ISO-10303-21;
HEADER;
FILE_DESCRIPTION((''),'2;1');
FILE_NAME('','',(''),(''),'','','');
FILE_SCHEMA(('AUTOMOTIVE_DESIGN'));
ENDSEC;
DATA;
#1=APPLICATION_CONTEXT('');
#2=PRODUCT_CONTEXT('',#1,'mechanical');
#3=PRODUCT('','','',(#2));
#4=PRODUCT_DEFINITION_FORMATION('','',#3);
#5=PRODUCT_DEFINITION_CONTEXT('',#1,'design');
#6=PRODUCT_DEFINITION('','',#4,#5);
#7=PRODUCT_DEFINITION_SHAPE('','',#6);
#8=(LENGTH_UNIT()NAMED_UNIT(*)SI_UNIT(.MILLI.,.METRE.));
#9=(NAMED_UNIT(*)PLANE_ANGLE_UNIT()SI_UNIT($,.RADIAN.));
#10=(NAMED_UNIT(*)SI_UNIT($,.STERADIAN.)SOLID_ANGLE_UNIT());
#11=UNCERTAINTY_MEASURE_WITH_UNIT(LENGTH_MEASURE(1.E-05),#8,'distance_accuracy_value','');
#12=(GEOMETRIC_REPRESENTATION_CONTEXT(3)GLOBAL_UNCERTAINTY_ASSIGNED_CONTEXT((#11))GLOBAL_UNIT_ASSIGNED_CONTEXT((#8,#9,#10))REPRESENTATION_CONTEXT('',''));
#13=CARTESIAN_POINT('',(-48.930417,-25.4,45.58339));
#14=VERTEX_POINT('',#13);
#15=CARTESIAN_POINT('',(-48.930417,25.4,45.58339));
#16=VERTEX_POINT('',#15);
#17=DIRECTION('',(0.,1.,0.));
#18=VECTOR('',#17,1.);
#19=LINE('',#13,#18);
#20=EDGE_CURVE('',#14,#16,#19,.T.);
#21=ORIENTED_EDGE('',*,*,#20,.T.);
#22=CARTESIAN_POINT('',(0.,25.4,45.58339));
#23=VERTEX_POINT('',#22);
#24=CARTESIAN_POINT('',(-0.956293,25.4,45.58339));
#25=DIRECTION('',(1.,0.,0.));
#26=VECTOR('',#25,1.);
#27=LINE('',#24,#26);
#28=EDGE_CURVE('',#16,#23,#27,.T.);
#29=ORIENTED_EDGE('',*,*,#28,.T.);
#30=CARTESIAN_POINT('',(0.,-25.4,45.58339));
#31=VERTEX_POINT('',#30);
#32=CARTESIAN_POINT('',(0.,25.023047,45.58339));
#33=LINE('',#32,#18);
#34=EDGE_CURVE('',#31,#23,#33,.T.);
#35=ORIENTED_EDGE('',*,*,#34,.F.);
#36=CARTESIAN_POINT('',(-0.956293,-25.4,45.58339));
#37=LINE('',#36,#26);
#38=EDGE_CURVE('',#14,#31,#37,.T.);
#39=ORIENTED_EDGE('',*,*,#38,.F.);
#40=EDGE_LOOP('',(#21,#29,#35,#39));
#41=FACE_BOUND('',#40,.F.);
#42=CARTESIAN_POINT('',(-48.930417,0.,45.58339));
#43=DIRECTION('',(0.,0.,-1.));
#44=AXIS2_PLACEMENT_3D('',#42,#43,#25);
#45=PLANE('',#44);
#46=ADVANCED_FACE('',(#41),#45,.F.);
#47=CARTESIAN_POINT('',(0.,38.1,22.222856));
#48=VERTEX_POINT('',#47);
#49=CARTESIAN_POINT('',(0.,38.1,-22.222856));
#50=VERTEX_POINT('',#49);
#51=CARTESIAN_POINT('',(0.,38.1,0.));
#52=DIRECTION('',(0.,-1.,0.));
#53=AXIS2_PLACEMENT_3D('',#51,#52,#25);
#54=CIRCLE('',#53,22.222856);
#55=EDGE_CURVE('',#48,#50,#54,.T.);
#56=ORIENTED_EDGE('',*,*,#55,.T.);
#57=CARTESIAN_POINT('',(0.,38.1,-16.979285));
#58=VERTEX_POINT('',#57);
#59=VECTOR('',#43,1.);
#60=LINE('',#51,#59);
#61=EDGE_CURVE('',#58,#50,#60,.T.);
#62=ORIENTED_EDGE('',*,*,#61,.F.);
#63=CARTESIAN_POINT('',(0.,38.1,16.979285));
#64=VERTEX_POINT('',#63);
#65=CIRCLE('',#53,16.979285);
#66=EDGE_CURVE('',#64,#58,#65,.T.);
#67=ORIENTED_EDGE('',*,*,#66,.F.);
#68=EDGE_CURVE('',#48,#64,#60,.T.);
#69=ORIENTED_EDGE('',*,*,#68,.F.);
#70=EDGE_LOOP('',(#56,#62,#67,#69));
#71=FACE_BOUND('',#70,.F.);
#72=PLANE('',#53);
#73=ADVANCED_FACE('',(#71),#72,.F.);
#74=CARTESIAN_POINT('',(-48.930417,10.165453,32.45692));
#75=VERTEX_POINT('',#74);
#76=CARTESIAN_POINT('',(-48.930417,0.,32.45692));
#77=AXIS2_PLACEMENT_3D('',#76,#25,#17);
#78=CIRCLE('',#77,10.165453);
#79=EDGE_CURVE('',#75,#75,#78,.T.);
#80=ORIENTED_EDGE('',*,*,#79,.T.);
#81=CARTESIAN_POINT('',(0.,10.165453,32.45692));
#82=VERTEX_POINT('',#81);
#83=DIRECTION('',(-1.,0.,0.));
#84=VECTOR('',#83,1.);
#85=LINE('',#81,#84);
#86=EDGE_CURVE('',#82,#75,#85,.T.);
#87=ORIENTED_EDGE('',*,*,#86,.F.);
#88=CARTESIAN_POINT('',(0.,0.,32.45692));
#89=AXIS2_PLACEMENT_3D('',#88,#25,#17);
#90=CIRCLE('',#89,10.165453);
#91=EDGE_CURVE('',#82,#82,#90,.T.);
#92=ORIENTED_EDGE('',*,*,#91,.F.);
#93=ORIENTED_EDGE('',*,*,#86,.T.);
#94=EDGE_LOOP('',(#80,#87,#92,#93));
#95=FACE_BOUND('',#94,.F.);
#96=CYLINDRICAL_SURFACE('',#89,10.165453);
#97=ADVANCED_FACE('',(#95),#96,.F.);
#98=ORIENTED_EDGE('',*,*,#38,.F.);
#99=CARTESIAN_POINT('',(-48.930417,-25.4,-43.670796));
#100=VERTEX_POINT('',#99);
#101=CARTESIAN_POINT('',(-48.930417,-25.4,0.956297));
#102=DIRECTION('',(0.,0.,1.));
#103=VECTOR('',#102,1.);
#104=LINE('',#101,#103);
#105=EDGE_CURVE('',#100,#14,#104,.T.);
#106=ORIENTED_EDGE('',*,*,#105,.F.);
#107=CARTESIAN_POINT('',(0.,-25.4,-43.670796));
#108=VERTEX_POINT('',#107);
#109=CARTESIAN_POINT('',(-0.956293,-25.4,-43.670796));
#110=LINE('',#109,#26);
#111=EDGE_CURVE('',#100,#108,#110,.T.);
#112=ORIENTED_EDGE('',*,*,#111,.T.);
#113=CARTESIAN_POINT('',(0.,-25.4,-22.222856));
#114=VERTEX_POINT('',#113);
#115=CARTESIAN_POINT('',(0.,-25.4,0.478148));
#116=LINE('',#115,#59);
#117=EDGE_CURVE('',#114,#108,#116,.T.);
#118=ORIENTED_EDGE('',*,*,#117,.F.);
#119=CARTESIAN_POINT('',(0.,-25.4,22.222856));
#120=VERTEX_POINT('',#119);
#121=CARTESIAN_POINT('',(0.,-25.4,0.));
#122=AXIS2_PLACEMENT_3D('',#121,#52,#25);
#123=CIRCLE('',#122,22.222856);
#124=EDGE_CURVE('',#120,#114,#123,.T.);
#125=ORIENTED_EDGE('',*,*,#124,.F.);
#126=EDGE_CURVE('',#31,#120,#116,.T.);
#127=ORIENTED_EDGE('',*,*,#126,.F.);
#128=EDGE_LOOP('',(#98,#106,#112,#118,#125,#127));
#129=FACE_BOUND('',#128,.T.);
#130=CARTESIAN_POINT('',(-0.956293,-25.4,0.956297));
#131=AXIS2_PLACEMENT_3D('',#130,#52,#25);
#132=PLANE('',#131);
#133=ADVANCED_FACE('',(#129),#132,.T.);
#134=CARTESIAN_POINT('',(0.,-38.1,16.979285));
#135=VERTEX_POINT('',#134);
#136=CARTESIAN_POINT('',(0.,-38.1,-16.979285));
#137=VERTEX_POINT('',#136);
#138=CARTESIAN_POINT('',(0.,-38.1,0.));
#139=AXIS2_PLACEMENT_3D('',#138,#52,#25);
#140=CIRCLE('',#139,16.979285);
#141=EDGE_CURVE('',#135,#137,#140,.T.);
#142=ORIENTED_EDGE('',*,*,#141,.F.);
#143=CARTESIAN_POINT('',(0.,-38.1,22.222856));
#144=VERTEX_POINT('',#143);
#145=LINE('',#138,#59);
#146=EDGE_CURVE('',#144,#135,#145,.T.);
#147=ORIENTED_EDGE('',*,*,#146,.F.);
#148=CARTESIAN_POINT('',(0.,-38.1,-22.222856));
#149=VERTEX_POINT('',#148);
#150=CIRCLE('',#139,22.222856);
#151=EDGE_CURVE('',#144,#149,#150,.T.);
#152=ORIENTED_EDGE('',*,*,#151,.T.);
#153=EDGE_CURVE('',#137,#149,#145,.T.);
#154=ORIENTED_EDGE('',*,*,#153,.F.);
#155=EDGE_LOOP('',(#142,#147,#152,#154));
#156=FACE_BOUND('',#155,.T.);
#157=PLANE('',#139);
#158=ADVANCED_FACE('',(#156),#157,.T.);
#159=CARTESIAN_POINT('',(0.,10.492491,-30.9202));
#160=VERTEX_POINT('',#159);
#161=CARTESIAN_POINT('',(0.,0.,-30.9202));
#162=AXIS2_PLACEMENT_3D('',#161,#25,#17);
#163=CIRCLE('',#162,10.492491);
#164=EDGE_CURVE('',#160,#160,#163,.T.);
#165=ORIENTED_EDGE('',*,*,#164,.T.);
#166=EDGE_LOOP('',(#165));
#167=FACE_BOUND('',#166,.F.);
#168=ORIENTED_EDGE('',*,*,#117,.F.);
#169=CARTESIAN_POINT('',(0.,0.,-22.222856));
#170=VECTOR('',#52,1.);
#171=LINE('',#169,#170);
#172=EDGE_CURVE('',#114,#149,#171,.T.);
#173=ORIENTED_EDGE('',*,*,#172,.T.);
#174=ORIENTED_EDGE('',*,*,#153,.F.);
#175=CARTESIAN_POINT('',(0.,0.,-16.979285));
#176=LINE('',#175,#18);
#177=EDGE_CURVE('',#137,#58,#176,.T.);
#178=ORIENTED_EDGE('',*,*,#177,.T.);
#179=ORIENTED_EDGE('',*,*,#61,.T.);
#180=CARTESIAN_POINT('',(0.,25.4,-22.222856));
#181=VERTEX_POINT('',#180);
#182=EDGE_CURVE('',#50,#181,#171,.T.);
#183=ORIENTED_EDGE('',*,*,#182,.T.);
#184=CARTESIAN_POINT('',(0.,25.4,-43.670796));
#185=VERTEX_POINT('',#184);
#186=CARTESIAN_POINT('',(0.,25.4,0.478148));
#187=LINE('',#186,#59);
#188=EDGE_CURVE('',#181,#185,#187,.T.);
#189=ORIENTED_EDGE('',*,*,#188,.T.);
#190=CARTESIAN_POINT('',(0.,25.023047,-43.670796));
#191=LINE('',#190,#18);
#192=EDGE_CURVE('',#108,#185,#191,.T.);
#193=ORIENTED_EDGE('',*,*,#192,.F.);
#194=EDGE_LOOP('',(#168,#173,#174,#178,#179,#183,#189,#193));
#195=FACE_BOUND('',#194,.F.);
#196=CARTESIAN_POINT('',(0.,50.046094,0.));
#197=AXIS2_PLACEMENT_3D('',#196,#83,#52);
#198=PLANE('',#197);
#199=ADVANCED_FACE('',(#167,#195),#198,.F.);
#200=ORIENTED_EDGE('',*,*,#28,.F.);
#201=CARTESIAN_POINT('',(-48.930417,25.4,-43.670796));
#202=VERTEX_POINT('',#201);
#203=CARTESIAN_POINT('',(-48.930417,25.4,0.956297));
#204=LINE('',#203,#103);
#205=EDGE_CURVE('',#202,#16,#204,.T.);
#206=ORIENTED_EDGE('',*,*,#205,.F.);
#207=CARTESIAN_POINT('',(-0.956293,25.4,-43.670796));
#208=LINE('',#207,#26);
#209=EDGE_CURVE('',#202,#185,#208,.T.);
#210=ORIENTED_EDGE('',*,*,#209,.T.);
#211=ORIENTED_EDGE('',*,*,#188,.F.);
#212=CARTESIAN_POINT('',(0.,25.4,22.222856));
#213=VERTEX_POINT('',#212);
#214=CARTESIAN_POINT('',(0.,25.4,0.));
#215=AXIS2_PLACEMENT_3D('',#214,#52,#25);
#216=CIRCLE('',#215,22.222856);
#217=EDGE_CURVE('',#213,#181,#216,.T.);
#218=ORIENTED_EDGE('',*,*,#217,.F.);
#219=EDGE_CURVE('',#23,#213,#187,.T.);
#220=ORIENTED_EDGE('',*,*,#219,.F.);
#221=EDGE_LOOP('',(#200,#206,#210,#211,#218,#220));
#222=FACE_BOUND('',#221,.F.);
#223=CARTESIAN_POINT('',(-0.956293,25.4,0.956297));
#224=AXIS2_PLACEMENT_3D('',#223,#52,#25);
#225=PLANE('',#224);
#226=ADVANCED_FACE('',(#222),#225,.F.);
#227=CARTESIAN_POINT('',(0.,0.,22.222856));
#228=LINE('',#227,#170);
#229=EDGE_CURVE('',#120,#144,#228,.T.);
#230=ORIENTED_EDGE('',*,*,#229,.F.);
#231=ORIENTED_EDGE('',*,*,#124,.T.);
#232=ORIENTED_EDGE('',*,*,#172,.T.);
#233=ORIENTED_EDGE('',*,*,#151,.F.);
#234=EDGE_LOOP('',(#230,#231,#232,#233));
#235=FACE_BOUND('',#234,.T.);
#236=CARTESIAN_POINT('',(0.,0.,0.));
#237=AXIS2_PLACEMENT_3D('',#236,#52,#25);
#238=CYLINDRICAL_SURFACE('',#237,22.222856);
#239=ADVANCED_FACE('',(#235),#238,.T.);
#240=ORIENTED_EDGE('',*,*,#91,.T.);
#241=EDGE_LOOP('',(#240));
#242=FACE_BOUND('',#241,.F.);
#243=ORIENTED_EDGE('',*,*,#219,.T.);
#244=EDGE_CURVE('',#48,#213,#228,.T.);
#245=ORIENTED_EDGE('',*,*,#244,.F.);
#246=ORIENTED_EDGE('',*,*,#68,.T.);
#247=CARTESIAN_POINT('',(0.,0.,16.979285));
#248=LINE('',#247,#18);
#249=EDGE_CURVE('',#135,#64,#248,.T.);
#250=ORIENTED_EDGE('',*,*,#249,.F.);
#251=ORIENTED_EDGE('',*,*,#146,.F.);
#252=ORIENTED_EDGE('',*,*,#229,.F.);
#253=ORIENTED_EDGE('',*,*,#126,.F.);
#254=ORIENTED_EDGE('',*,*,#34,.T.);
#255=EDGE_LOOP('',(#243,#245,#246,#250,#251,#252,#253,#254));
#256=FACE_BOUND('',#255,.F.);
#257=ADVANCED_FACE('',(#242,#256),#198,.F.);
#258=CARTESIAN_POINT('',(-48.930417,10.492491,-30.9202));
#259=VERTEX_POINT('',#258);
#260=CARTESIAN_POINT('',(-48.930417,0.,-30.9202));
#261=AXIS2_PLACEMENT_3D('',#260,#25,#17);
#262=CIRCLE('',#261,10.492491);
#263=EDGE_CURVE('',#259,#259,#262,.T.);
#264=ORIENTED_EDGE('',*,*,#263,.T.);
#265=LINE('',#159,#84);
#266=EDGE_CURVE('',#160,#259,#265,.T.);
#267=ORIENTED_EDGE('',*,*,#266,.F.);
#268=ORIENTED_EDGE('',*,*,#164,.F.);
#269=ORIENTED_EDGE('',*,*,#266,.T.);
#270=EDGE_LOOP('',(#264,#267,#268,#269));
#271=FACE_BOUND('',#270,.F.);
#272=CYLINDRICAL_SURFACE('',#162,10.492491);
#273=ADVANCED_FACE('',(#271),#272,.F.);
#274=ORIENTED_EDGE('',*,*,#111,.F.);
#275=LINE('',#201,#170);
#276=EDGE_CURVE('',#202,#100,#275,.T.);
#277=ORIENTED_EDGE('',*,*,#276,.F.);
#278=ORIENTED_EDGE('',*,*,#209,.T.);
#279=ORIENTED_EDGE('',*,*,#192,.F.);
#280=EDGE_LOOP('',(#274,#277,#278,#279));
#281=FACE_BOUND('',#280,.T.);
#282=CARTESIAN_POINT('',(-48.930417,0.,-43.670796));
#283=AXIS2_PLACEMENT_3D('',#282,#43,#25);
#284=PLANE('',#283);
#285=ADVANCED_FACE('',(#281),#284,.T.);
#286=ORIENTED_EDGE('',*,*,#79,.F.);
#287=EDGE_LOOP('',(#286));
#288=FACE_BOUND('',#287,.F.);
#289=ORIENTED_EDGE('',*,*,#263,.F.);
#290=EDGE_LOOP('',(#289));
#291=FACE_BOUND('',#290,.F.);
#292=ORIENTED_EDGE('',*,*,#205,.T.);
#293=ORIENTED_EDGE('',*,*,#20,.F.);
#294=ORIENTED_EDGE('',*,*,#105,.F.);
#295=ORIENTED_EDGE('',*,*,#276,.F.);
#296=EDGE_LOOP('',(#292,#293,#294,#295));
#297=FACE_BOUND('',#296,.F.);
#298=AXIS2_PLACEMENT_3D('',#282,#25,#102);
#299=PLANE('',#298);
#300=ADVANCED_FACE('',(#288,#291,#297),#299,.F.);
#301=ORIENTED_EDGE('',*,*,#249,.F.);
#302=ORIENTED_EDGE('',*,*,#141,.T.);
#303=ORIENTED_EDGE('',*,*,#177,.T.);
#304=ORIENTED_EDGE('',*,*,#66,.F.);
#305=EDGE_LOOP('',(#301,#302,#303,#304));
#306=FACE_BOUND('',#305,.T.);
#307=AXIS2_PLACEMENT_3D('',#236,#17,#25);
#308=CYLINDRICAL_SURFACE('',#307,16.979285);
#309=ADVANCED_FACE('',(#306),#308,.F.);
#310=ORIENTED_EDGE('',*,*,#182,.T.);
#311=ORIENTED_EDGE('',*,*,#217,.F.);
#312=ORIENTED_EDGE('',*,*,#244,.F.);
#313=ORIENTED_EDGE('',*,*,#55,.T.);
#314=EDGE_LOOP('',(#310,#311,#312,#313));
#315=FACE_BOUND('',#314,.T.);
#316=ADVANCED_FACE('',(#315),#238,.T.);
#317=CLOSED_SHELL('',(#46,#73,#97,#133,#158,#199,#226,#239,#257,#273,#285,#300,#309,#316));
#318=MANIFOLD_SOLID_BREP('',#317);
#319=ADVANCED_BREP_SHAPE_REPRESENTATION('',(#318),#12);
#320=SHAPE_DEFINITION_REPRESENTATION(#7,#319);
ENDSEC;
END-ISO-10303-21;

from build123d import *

# Parameters (mm, degrees)
F0_W     = 95.948249
F0_H     = 89.254186
F0_R     = 22.222856
F1_DEPTH = 25.4
F0_R_2   = 16.979285
F2_DEPTH = 38.1
F4_DEPTH = 558.8
F5_R     = 10.492491
F5_R_2   = 10.165453
F6_DEPTH = 48.931418


with BuildPart() as f1:
    # F0 (on Front) → F1 (new body, symmetric)
    with BuildSketch(Plane.XZ):
        with Locations((-0.956293, 0.956297)):
            Rectangle(F0_W, F0_H)
        Circle(F0_R, mode=Mode.SUBTRACT)
    extrude(amount=F1_DEPTH, both=True)

    # F0 (on Front) → F2 (join, symmetric)
    with BuildSketch(Plane.XZ):
        Circle(F0_R)
        Circle(F0_R_2, mode=Mode.SUBTRACT)
    extrude(amount=F2_DEPTH, both=True)

    # F3 (on Top) → F4 (cut, symmetric)
    with BuildSketch(Plane.XY):
        Polygon((0, 50.046094), (0, -54.508805), (60.724724, -51.321156), (64.549901, 41.439444), align=None)
    extrude(amount=F4_DEPTH, both=True, mode=Mode.SUBTRACT)

    # F5 (on Right) → F6 (cut, through all)
    with BuildSketch(Plane.YZ):
        with Locations((0, -30.9202)):
            Circle(F5_R)
        with Locations((0, 32.45692)):
            Circle(F5_R_2)
    extrude(amount=-F6_DEPTH, mode=Mode.SUBTRACT)


solid = f1.part
